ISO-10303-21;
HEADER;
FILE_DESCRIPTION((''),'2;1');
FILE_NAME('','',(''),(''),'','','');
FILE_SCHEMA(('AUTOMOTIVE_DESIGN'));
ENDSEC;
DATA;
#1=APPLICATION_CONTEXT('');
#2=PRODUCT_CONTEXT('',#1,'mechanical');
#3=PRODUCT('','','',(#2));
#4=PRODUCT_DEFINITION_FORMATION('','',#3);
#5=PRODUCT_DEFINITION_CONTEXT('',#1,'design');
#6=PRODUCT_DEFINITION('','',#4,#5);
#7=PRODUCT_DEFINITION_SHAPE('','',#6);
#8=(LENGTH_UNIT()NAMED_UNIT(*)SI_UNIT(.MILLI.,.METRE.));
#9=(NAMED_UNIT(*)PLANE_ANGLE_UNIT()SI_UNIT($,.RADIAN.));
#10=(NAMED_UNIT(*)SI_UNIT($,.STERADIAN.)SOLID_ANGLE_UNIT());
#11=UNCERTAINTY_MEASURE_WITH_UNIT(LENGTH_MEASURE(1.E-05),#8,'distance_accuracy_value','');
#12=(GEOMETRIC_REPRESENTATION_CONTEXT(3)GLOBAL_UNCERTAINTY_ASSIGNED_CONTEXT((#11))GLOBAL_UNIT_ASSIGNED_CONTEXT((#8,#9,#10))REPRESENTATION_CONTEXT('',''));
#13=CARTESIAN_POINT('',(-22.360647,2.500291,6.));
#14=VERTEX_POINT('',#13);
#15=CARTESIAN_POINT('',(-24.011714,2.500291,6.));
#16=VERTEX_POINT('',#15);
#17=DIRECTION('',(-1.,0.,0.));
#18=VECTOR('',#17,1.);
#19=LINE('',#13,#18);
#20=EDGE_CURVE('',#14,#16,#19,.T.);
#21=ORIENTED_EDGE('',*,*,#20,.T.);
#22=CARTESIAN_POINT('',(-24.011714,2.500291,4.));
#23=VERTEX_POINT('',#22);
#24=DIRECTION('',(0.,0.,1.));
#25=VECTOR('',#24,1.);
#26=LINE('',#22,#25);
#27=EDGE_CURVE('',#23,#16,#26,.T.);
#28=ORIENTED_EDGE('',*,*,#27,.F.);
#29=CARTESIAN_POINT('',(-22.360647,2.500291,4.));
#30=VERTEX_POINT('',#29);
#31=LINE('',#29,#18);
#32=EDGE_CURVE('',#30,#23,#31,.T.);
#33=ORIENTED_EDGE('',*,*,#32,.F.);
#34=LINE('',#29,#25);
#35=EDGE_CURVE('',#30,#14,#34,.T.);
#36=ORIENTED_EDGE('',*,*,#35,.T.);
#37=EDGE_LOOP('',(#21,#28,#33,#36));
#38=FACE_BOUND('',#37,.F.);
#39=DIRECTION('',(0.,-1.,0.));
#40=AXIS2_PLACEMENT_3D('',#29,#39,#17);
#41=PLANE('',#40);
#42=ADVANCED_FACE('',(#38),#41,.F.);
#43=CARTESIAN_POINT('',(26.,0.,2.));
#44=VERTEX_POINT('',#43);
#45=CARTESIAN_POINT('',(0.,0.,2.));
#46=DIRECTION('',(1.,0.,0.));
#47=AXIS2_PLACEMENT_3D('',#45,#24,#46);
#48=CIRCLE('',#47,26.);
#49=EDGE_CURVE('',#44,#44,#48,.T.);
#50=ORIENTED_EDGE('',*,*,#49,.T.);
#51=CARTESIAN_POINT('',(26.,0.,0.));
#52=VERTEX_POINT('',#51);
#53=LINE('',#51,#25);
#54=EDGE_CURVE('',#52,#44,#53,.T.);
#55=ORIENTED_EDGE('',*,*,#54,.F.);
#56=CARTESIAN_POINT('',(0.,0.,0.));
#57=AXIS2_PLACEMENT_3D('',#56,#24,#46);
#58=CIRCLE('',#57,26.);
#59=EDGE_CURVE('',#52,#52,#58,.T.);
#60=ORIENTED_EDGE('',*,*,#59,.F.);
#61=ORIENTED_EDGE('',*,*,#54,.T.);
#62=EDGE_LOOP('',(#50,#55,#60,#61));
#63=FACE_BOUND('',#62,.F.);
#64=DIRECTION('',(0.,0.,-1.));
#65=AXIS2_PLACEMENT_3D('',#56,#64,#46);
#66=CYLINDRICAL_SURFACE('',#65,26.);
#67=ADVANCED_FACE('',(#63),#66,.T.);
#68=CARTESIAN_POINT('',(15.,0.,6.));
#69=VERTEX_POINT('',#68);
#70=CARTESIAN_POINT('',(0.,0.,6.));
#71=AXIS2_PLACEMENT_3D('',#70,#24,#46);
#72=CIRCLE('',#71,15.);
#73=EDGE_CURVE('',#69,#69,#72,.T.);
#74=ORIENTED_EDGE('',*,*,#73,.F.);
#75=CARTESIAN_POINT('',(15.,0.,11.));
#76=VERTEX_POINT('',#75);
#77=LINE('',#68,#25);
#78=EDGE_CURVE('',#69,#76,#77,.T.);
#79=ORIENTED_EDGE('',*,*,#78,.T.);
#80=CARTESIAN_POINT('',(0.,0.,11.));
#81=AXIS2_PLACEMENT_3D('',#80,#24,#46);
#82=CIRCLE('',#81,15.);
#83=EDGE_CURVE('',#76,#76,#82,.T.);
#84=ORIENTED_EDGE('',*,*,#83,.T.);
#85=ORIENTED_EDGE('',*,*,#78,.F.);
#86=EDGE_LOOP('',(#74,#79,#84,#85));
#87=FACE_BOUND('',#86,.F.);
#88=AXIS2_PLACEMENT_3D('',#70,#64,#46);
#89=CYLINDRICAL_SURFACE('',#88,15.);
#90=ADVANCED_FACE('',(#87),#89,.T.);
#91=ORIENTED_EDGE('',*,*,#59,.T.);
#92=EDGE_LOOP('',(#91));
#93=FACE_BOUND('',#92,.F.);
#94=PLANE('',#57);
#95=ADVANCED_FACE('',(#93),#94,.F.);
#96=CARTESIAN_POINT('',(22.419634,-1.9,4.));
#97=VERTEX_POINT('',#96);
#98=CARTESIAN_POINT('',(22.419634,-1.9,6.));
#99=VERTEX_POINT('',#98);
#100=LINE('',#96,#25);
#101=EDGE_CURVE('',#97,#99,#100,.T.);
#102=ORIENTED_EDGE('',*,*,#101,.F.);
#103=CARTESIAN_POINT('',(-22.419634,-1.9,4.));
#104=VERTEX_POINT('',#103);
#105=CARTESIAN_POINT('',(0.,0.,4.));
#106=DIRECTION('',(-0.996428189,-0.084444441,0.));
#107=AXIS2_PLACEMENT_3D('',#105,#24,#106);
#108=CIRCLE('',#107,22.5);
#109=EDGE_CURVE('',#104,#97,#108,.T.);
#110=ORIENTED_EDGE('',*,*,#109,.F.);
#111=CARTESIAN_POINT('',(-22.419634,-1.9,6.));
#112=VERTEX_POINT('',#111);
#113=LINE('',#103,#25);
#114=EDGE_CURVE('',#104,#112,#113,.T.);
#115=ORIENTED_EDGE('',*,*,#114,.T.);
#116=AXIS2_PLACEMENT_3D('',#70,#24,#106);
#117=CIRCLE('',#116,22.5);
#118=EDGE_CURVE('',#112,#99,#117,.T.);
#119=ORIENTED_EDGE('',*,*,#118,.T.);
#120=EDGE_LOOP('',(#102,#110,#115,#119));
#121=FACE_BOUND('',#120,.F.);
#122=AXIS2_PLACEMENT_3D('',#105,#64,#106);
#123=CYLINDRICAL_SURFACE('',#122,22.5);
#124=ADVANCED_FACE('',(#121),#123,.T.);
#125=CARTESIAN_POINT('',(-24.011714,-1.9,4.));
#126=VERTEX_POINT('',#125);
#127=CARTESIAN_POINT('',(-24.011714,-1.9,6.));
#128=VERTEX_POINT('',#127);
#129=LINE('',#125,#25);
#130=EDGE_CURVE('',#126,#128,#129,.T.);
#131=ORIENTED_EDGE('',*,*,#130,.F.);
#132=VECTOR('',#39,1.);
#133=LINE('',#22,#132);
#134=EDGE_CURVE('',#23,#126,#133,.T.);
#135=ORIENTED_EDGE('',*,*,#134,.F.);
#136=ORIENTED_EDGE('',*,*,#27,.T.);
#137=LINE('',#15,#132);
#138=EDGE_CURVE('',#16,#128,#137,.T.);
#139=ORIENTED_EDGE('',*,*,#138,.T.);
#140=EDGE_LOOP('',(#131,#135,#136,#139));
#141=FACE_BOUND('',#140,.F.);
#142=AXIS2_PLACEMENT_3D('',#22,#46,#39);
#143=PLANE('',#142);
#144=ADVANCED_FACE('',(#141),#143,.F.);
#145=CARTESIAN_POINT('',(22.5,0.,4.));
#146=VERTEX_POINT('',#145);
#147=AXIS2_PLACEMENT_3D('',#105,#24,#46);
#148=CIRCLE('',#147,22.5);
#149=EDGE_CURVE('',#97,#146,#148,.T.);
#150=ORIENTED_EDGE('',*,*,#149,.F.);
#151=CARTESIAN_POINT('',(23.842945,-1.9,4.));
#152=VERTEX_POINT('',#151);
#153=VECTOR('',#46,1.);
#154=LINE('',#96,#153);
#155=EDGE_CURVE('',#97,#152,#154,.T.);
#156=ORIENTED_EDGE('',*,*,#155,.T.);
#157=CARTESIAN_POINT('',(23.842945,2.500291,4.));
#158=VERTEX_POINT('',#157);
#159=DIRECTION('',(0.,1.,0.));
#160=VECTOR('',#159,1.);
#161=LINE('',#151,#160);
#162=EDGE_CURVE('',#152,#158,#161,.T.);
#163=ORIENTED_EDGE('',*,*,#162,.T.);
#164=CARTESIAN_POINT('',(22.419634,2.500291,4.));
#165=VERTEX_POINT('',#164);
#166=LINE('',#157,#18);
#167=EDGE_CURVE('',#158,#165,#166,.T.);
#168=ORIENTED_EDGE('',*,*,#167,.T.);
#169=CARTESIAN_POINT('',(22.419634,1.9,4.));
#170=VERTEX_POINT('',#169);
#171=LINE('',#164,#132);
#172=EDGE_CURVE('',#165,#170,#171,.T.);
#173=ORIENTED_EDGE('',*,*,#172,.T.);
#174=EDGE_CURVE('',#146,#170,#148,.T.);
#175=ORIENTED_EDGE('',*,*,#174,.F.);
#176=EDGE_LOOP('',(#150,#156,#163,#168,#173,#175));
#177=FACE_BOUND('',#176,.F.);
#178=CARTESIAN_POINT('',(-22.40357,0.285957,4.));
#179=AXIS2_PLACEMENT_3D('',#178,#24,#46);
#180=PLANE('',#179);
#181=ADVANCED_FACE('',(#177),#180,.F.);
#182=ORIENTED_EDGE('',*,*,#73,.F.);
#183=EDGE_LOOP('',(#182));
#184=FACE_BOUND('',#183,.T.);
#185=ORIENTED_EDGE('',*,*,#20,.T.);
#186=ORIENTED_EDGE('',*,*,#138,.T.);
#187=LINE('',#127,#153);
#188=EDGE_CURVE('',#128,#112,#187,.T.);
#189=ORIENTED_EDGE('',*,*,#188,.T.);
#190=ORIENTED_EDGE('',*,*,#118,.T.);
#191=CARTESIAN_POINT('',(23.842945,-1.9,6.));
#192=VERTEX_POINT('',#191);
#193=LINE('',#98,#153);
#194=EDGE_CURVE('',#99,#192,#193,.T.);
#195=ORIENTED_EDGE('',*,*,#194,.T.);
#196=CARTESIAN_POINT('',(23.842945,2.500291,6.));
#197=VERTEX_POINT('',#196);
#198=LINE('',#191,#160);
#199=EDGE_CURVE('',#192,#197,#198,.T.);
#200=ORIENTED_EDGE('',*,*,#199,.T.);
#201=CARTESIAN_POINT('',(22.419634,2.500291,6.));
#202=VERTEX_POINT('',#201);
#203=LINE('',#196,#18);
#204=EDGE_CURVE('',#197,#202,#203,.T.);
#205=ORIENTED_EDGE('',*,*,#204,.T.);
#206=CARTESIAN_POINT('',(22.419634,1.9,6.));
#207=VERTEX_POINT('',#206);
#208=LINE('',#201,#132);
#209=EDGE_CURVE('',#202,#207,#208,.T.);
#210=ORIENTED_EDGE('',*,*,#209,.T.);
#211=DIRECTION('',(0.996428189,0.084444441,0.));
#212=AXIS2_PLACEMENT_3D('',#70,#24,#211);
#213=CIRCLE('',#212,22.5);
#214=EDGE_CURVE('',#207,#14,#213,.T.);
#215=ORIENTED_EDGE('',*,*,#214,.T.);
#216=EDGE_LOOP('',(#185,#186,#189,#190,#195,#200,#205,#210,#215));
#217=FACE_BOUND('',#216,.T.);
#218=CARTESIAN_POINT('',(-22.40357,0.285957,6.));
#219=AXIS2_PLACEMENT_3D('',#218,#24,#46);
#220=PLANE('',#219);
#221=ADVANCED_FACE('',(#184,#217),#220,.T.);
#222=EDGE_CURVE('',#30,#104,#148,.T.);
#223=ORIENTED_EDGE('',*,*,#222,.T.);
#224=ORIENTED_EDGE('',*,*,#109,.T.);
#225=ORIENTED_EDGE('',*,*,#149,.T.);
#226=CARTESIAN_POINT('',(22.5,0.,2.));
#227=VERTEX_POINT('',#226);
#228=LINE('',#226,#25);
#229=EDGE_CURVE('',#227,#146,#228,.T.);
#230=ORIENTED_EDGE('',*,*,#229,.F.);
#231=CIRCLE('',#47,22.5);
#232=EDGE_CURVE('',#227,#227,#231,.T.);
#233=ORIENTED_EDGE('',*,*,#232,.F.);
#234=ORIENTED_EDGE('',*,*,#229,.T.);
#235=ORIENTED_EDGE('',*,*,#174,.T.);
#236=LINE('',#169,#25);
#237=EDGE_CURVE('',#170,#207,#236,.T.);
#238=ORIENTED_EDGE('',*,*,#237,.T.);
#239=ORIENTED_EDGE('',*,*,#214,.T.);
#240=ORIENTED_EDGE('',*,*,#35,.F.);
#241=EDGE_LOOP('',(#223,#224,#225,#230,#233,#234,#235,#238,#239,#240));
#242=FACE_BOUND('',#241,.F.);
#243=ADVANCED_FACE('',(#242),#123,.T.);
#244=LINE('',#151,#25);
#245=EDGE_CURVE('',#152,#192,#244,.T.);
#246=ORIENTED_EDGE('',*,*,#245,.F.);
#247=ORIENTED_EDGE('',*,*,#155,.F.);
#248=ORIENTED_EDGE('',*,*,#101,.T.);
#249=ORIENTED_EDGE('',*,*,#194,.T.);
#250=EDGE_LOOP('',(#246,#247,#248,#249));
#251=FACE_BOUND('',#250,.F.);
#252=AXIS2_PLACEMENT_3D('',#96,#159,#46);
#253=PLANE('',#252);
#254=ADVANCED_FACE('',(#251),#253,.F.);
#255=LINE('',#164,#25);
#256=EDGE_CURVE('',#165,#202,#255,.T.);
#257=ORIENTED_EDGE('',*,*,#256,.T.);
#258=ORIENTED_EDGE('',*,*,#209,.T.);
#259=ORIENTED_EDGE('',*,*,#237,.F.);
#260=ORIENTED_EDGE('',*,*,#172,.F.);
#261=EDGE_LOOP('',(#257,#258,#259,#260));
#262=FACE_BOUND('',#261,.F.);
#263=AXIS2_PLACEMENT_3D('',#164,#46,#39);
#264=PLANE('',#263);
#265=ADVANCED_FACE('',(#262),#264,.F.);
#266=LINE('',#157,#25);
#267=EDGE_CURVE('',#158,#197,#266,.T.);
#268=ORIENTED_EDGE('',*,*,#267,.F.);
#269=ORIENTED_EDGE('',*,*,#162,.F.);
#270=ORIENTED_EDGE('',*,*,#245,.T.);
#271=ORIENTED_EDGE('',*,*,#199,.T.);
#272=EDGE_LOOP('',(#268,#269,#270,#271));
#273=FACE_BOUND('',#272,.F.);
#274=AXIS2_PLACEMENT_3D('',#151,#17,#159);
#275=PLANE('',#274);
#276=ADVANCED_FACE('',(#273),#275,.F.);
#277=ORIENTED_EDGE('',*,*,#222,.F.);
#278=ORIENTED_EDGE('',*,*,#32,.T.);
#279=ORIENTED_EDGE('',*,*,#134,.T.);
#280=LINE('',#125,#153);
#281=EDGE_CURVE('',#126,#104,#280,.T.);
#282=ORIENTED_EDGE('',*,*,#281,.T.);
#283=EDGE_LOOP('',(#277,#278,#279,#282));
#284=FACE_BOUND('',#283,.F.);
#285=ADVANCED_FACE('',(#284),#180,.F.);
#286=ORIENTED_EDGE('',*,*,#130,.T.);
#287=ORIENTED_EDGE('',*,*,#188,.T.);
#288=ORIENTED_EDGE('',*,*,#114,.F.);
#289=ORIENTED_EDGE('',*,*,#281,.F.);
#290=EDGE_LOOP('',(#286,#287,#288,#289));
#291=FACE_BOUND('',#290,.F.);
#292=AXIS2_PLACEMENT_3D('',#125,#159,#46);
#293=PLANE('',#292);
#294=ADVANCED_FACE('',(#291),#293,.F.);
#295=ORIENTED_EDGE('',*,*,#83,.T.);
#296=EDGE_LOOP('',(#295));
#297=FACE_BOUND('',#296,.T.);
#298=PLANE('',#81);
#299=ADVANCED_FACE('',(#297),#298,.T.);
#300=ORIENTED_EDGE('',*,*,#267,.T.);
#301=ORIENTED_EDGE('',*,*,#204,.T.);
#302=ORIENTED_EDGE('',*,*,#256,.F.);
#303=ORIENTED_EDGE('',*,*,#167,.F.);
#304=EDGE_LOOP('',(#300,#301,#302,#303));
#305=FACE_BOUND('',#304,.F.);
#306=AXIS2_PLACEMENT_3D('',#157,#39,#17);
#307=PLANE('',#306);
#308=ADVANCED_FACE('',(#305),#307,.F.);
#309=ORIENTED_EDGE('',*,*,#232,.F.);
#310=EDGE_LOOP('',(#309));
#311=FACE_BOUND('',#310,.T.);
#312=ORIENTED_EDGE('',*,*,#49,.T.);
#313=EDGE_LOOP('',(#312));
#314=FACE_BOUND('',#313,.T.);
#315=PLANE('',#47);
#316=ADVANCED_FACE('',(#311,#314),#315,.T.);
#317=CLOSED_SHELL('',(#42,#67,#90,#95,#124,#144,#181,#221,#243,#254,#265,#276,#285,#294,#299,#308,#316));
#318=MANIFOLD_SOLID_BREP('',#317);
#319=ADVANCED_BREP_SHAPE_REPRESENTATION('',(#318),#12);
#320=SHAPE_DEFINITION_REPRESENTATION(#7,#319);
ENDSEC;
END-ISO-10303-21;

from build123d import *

# Parameters (mm, degrees)
F0_R     = 26
F1_DEPTH = 2
F2_R     = 22.5
F3_DEPTH = 2
F5_DEPTH = 2
F6_R     = 15
F7_DEPTH = 5


with BuildPart() as f1:
    # F0 (on Top) → F1 (new body)
    with BuildSketch(Plane.XY):
        Circle(F0_R)
    extrude(amount=F1_DEPTH)

    # F2 (on face) → F3 (join)
    with BuildSketch(Plane.XY.offset(2)):
        Circle(F2_R)
    extrude(amount=F3_DEPTH)

    # F4 (on face) → F5 (join)
    with BuildSketch(Plane.XY.offset(4)):
        with BuildLine():
            Line((-22.3533584706, -1.8999999156), (-22.3533584706, 2.5002909302))
            Line((-22.3533584706, 2.5002909302), (-22.3606472461, 2.5002909302))
            ThreePointArc((-22.3606472461, 2.5002909302), (-22.4979786383, 0.3015911014), (-22.4196342593, -1.8999999156))
            Line((-22.4196342593, -1.8999999156), (-22.3533584706, -1.8999999156))
        make_face()
        with BuildLine():
            Line((-22.3606472461, 2.5002909302), (-22.3533584706, 2.5002909302))
            Line((-22.3533584706, 2.5002909302), (-22.3533584706, -1.8999999156))
            Line((-22.3533584706, -1.8999999156), (-22.4196342593, -1.8999999156))
            ThreePointArc((-22.4196342593, -1.8999999156), (0, -22.5), (22.4196342593, -1.8999999156))
            Line((22.4196342593, -1.8999999156), (22.4196342593, 1.8999999156))
            ThreePointArc((22.4196342593, 1.8999999156), (0.3015911015, 22.4979786383), (-22.3606472461, 2.5002909302))
        make_face()
        with BuildLine():
            ThreePointArc((-22.4196342593, -1.8999999156), (-22.4979786383, 0.3015911014), (-22.3606472461, 2.5002909302))
            Line((-22.3606472461, 2.5002909302), (-24.011714384, 2.5002909302))
            Line((-24.011714384, 2.5002909302), (-24.011714384, -1.8999999156))
            Line((-24.011714384, -1.8999999156), (-22.4196342593, -1.8999999156))
        make_face()
        with BuildLine():
            ThreePointArc((22.5, 0), (22.4798995865, 0.9508494008), (22.4196342593, 1.8999999156))
            Line((22.4196342593, 1.8999999156), (22.4196342593, -1.8999999156))
            ThreePointArc((22.4196342593, -1.8999999156), (22.4798995865, -0.9508494008), (22.5, 0))
        make_face()
        with BuildLine():
            Line((22.4196342593, 2.5002909302), (22.4196342593, 1.8999999156))
            ThreePointArc((22.4196342593, 1.8999999156), (22.4798995865, 0.9508494008), (22.5, 0))
            ThreePointArc((22.5, 0), (22.4798995865, -0.9508494008), (22.4196342593, -1.8999999156))
            Line((22.4196342593, -1.8999999156), (23.8429448439, -1.8999999156))
            Line((23.8429448439, -1.8999999156), (23.8429448439, 2.5002909302))
            Line((23.8429448439, 2.5002909302), (22.4196342593, 2.5002909302))
        make_face()
    extrude(amount=F5_DEPTH)

    # F6 (on face) → F7 (join)
    with BuildSketch(Plane.XY.offset(6)):
        Circle(F6_R)
    extrude(amount=F7_DEPTH)


solid = f1.part
